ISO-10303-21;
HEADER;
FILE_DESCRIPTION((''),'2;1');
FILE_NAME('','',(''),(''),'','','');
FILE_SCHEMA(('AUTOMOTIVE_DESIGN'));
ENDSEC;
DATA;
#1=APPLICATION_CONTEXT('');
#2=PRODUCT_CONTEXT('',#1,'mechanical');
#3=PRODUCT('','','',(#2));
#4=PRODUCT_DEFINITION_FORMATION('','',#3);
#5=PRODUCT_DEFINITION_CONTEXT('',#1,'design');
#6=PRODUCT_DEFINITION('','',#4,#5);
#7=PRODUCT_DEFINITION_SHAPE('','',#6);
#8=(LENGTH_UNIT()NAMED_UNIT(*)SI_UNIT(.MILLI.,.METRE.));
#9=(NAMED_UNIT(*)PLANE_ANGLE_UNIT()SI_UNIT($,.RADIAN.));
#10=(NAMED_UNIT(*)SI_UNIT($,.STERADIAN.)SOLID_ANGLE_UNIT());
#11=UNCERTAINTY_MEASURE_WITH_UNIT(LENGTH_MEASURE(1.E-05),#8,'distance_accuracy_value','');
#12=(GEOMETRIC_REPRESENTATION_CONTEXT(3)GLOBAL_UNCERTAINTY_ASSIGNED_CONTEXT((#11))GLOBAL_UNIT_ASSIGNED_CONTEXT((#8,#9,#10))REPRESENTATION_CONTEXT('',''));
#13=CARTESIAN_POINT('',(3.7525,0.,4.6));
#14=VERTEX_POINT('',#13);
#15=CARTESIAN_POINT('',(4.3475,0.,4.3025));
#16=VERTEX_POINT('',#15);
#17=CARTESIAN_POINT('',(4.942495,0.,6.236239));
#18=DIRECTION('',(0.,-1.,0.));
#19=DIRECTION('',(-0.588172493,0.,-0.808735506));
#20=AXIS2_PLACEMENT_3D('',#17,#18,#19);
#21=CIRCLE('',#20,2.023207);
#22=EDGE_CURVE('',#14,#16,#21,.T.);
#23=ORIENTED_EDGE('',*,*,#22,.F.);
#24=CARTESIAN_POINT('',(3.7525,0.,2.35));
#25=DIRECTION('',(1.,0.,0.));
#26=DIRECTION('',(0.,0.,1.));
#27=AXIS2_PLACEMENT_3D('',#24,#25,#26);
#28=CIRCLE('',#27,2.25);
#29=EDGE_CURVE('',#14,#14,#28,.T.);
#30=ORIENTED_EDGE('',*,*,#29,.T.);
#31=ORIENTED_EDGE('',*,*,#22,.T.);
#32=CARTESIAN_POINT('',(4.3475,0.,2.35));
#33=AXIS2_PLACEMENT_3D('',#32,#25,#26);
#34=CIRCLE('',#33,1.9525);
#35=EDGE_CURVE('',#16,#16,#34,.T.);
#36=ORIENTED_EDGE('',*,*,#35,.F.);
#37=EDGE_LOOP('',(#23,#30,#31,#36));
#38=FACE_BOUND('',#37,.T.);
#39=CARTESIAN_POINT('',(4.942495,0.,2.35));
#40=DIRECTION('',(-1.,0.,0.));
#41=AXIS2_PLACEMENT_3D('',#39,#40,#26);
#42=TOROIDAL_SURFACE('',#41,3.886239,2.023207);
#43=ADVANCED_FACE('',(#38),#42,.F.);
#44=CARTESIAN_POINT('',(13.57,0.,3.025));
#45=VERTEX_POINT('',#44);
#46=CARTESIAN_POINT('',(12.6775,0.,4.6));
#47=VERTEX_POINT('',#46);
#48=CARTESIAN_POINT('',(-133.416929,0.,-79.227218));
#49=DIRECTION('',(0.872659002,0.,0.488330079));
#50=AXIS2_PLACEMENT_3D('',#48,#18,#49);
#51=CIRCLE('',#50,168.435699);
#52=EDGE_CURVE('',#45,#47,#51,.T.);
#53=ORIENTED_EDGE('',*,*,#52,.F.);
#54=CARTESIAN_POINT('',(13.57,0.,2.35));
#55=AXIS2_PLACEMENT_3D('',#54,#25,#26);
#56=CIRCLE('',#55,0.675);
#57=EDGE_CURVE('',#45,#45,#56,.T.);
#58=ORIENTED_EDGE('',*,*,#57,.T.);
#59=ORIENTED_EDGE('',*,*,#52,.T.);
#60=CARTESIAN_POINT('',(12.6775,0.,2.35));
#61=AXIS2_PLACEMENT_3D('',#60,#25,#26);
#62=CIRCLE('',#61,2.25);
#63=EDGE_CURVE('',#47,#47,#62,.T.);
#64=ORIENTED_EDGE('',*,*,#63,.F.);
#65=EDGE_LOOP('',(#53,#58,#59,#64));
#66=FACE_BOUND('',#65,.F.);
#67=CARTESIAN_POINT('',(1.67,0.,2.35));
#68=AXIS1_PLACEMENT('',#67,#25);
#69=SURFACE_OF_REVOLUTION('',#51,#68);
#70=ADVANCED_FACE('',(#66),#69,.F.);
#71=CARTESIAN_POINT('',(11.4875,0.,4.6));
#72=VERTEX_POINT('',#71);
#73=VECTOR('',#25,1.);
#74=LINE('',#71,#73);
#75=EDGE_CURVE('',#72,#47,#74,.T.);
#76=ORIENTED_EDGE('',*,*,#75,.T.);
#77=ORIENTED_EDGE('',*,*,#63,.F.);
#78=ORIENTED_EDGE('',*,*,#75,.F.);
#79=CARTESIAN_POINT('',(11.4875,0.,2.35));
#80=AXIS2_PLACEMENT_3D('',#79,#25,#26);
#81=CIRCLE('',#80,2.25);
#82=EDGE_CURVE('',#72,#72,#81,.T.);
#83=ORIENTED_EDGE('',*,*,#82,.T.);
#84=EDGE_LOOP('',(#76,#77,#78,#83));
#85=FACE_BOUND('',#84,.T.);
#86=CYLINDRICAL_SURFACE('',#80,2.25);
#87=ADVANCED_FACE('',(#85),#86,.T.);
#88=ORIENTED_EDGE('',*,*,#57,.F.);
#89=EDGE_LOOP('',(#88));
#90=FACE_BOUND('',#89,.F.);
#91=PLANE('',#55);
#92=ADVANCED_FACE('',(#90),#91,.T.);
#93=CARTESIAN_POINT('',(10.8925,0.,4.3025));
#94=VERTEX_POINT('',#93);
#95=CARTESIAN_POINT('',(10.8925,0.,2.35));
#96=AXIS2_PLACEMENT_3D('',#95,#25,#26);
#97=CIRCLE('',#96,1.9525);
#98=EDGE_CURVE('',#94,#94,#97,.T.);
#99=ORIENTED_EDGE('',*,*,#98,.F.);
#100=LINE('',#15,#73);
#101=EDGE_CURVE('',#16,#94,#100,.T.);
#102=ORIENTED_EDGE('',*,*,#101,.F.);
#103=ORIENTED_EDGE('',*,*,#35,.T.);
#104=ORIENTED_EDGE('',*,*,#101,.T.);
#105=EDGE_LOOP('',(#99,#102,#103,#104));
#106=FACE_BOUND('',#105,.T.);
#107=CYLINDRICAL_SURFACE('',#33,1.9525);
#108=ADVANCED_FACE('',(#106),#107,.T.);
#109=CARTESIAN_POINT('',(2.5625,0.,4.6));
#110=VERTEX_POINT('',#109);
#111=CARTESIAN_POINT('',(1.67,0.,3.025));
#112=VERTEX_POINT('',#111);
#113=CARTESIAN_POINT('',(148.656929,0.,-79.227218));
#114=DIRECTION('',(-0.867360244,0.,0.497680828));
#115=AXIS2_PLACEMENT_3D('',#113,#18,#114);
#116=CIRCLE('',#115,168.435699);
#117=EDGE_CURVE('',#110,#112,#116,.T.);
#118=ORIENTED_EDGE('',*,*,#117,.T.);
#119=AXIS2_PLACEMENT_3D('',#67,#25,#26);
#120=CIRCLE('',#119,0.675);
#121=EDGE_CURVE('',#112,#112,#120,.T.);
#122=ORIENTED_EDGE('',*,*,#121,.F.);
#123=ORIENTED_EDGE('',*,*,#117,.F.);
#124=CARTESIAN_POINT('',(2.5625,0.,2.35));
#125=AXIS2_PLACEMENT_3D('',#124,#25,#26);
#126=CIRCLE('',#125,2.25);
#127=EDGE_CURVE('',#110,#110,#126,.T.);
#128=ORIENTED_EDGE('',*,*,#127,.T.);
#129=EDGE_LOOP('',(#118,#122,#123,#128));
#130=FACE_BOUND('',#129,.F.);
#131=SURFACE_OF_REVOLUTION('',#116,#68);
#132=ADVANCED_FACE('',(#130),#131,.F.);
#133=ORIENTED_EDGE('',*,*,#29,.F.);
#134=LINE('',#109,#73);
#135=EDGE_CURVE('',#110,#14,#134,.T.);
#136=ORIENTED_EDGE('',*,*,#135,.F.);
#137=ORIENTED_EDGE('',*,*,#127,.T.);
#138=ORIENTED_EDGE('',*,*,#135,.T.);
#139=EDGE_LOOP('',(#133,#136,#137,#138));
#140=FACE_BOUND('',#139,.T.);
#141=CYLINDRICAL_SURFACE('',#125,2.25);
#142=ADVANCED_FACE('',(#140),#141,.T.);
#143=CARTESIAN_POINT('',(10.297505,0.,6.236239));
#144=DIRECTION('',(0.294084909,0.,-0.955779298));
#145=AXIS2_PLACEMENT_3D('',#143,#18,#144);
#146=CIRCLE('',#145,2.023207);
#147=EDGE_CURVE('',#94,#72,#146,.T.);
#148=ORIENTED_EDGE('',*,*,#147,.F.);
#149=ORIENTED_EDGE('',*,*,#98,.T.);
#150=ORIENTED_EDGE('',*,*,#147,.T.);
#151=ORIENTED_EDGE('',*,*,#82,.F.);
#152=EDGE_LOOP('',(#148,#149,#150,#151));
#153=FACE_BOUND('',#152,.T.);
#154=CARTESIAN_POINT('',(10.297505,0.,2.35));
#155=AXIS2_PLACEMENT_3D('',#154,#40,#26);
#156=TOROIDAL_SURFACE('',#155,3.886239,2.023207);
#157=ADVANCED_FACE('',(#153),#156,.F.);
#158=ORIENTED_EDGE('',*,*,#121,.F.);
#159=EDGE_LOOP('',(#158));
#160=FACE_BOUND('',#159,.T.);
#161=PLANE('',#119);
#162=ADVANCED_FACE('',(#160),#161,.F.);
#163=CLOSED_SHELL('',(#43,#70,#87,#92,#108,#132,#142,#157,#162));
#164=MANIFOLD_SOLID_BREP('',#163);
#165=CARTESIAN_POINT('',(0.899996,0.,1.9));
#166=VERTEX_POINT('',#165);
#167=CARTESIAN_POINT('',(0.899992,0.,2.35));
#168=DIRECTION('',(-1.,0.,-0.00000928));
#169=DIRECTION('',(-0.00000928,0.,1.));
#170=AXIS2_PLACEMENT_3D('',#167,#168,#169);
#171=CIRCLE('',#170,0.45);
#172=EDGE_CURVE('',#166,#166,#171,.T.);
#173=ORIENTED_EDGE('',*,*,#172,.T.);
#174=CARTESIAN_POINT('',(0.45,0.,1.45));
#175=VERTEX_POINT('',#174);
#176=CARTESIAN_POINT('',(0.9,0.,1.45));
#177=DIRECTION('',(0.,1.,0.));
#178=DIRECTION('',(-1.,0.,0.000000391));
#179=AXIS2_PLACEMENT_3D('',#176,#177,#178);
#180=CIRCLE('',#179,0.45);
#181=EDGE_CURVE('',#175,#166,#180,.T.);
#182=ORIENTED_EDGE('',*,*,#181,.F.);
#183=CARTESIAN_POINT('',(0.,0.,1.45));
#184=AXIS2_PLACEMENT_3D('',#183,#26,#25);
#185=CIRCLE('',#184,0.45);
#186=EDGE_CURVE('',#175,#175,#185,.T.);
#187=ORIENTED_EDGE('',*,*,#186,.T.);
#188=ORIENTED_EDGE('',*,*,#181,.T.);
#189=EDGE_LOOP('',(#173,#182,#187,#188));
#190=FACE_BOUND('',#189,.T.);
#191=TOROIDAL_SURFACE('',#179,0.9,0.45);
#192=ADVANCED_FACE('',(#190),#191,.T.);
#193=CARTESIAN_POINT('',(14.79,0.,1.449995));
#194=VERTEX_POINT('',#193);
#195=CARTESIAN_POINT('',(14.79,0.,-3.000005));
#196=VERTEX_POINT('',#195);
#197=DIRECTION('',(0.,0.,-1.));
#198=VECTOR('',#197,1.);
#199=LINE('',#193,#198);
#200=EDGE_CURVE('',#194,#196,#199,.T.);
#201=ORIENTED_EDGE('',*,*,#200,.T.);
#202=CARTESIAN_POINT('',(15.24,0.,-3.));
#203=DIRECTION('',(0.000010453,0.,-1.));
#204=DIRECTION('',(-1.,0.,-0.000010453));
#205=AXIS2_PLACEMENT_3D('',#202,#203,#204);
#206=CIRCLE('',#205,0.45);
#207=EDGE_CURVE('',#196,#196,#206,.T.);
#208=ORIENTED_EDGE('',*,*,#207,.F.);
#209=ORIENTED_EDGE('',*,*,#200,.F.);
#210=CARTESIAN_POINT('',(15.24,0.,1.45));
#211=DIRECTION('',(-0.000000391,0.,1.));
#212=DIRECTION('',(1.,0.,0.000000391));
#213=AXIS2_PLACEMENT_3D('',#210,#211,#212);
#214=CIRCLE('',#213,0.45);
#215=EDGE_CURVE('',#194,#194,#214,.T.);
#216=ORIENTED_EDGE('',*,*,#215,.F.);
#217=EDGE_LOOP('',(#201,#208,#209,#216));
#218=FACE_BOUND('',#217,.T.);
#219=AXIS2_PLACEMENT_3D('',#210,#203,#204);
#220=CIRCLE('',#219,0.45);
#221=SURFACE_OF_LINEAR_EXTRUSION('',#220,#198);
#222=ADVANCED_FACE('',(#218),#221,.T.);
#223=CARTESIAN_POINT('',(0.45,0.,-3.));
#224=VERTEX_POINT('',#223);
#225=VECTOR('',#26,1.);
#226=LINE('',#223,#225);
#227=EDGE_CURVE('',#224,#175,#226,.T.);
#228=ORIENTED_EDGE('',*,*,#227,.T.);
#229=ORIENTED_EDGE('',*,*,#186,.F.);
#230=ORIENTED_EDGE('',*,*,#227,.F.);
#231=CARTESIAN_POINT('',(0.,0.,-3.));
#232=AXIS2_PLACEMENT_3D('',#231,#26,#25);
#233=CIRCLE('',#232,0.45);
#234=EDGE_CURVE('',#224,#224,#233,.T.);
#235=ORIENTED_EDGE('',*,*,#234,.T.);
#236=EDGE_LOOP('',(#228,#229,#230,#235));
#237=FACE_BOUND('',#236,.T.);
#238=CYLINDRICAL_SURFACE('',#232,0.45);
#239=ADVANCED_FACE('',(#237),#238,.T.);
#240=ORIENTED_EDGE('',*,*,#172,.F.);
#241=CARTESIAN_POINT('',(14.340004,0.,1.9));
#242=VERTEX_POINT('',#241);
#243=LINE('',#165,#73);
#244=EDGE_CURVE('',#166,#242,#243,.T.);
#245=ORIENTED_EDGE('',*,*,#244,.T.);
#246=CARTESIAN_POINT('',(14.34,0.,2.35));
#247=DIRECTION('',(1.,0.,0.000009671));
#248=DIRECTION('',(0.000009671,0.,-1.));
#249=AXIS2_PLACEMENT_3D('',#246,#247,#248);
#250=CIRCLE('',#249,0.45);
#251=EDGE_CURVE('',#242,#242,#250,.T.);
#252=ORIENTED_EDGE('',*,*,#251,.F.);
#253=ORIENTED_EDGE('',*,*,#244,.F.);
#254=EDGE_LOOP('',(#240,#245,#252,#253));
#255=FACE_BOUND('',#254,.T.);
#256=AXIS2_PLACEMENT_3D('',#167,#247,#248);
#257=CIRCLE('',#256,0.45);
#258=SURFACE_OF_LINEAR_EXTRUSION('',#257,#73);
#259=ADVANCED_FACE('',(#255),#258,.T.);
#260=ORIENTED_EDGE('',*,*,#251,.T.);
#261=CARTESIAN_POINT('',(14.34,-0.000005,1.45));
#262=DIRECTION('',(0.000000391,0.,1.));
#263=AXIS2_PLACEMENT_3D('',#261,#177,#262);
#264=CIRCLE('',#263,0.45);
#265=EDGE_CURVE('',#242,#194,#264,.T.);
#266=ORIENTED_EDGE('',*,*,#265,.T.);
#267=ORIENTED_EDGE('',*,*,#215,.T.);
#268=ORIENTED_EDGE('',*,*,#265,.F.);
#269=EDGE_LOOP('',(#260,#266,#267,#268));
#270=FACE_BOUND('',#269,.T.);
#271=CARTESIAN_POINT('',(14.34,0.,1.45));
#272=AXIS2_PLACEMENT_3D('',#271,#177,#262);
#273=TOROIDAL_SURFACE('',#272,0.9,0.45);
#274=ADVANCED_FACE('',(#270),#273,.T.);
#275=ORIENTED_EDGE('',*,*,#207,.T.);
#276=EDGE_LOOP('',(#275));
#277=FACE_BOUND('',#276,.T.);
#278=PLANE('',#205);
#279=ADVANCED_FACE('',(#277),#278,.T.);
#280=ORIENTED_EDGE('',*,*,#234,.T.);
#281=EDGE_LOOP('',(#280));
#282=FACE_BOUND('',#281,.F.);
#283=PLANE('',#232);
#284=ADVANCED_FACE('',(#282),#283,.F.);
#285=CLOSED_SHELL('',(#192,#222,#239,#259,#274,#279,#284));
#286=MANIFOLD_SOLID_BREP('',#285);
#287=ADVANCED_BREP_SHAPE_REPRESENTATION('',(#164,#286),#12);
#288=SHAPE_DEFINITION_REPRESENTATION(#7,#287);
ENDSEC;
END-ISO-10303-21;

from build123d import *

# Parameters (mm, degrees)
SKETCH_R = 0.45


with BuildPart() as revolution:
    # Sketch002 → Revolution (revolve)
    with BuildSketch(Plane.XZ):
        with BuildLine():
            Line((2.5625, 4.6), (3.7525, 4.6))
            ThreePointArc((3.7525, 4.6), (4.037689, 4.426628), (4.3475, 4.3025))
            Line((4.3475, 4.3025), (10.8925, 4.3025))
            ThreePointArc((10.8925, 4.3025), (11.202311, 4.426628), (11.4875, 4.6))
            Line((11.4875, 4.6), (12.6775, 4.6))
            ThreePointArc((13.57, 3.025), (13.125866, 3.813699), (12.6775, 4.6))
            Line((13.57, 2.35), (13.57, 3.025))
            Line((1.67, 2.35), (13.57, 2.35))
            Line((1.67, 2.35), (1.67, 3.025))
            ThreePointArc((2.5625, 4.6), (2.114134, 3.813699), (1.67, 3.025))
        make_face()
    revolve(axis=Axis((1.67, 0, 2.35), (1, 0, 0)))


with BuildPart() as sweep_body:
    # Sweep: sweep along a path in Sketch001
    with BuildLine(Plane.XZ) as sweep_path:
        Line((0, -3), (0, 1.45))
        ThreePointArc((0, 1.45), (0.263601, 2.086393), (0.899992, 2.35))
        Line((0.899992, 2.35), (14.34, 2.35))
        ThreePointArc((14.34, 2.35), (14.976396, 2.086396), (15.24, 1.45))
        Line((15.24, 1.45), (15.24, -3))
    # Sketch → Sweep (sweep)
    with BuildSketch(Plane.XY.offset(-2)):
        Circle(SKETCH_R)
    sweep(path=sweep_path.line)


solid = Compound([revolution.part, sweep_body.part])
